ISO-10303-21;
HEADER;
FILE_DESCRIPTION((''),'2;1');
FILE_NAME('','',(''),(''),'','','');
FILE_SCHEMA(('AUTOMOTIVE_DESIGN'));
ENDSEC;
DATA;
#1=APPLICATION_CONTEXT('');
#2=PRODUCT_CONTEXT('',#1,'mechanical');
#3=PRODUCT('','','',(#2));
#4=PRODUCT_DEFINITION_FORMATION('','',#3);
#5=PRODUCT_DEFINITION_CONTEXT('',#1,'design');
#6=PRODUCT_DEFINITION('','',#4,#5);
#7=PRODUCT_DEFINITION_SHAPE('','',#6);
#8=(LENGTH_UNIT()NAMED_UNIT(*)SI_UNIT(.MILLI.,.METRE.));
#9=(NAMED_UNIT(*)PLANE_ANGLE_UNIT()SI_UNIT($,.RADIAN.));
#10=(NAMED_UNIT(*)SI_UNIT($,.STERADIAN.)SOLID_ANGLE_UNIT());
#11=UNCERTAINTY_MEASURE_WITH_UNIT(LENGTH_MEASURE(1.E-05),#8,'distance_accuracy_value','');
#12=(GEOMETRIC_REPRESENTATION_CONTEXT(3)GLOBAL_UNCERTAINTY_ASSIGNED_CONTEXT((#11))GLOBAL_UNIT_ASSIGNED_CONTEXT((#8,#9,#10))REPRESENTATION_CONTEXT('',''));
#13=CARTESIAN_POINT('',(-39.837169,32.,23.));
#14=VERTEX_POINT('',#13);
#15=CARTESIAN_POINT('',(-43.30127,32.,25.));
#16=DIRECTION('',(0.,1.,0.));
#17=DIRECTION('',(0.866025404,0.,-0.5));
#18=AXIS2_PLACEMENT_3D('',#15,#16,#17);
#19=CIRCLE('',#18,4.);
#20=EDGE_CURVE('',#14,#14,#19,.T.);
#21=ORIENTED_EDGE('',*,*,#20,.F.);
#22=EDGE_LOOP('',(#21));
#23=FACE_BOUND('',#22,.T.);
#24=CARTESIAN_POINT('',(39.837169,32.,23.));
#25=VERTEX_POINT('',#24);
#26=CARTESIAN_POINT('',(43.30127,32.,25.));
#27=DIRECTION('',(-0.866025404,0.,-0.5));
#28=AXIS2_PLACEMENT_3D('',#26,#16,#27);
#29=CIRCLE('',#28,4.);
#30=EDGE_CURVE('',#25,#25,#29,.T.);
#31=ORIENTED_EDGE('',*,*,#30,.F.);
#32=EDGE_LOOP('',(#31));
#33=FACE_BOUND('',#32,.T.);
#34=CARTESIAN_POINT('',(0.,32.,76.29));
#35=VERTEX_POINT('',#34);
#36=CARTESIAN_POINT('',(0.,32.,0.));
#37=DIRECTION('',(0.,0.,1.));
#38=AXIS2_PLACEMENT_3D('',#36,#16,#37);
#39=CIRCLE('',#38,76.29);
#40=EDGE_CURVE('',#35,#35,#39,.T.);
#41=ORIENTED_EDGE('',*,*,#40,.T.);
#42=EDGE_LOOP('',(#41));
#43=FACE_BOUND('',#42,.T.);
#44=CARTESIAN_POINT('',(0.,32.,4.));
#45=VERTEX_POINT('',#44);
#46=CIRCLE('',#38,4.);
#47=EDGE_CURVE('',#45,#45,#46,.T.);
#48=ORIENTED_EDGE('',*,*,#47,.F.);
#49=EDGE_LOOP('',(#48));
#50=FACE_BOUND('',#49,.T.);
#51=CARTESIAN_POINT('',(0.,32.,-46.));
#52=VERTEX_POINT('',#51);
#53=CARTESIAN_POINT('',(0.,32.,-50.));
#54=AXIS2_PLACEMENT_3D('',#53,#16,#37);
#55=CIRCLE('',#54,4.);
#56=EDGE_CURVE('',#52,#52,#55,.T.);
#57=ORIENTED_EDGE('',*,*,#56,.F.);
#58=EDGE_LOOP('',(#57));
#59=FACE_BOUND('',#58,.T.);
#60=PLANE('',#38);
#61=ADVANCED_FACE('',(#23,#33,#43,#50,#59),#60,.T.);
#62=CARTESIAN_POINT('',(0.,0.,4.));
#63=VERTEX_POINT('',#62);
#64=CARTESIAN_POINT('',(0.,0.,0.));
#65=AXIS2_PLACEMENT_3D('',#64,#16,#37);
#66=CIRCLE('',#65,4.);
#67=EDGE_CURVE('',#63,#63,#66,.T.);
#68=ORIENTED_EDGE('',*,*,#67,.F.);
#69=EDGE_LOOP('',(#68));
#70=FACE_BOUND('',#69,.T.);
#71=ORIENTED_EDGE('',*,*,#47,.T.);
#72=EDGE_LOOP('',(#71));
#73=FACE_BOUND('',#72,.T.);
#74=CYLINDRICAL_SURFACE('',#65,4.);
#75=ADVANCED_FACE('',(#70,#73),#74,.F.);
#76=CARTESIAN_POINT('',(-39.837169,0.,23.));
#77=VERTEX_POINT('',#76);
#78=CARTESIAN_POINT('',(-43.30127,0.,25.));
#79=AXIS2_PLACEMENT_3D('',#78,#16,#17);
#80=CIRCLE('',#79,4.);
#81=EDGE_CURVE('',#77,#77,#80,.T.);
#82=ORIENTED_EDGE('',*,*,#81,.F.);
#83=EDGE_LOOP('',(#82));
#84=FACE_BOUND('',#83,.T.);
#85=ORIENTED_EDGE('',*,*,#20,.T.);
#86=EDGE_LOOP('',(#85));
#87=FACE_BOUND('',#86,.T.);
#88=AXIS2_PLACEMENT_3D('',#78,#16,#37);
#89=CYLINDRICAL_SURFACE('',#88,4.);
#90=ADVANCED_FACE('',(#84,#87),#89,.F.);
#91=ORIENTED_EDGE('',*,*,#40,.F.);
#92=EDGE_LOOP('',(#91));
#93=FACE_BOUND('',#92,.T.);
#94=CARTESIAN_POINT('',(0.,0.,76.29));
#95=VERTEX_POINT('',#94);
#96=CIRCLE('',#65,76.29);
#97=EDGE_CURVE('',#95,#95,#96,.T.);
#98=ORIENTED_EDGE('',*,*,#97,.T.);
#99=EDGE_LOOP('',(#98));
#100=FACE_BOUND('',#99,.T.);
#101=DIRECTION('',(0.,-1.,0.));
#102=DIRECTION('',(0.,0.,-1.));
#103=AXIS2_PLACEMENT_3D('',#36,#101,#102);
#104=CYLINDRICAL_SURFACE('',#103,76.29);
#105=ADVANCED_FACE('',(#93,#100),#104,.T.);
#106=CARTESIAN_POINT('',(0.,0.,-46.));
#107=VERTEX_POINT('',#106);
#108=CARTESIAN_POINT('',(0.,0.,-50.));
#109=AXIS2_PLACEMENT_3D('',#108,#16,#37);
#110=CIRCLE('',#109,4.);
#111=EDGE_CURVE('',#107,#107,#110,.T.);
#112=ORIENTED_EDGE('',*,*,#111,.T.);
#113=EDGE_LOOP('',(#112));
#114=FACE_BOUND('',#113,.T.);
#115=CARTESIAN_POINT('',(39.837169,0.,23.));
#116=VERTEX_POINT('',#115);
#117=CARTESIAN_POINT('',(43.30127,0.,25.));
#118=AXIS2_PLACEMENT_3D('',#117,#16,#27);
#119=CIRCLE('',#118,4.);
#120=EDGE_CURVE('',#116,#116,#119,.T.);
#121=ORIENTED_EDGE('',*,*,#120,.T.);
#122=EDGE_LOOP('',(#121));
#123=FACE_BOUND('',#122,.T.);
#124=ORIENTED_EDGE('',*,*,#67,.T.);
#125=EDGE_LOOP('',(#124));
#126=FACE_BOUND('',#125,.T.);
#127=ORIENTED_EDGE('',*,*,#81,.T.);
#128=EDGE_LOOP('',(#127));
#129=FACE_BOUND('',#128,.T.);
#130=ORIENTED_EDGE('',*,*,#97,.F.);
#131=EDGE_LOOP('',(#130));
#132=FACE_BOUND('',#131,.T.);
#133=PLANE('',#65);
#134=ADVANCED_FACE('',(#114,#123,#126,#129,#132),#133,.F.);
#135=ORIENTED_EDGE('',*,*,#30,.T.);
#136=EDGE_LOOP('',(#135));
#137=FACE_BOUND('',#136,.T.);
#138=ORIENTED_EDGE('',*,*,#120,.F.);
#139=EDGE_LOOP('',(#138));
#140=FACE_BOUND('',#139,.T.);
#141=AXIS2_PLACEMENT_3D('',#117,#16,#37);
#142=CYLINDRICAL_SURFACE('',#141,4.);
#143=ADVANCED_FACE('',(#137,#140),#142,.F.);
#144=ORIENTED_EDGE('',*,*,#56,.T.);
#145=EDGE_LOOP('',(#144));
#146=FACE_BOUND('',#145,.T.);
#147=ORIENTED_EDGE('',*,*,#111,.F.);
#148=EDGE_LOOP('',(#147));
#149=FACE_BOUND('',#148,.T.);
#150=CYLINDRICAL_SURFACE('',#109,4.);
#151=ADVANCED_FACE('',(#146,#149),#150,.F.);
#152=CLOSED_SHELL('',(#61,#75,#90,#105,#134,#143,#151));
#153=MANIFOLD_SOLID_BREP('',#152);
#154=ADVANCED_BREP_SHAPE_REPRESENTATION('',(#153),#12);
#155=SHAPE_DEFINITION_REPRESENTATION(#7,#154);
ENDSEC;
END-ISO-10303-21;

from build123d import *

# Parameters (mm, degrees)
SKETCH1_R           = 76.29
BOSS_EXTRUDE1_DEPTH = 32
SKETCH2_R           = 4
CUT_EXTRUDE1_DEPTH  = 113.535897384
CIRPATTERN1_COUNT   = 3
SKETCH3_R           = 4
CUT_EXTRUDE2_DEPTH  = 113.535897384


with BuildPart() as part:
    # Sketch1 → Boss-Extrude1 (new body)
    with BuildSketch(Plane(origin=(0, 0, 0), x_dir=(1, 0, 0), z_dir=(0, 1, 0))):
        Circle(SKETCH1_R)
    extrude(amount=BOSS_EXTRUDE1_DEPTH)

    # Sketch2 → Cut-Extrude1 (cut, through all)
    with BuildSketch(Plane(origin=(0, 32, 0), x_dir=(1, 0, 0), z_dir=(0, 1, 0))):
        with Locations((0, 50)):
            Circle(SKETCH2_R)
    cut_extrude1 = extrude(amount=-CUT_EXTRUDE1_DEPTH, mode=Mode.SUBTRACT)

    # CirPattern1: Cut-Extrude1 ×3 about axis
    cirpattern1_axis = Axis((0, 33.6, 0), (0, -1, 0))
    for i in range(1, CIRPATTERN1_COUNT):
        add(cut_extrude1.rotate(cirpattern1_axis, i * 360 / CIRPATTERN1_COUNT), mode=Mode.SUBTRACT)

    # Sketch3 → Cut-Extrude2 (cut, through all)
    with BuildSketch(Plane(origin=(0, 32, 0), x_dir=(1, 0, 0), z_dir=(0, 1, 0))):
        Circle(SKETCH3_R)
    extrude(amount=-CUT_EXTRUDE2_DEPTH, mode=Mode.SUBTRACT)


solid = part.part
